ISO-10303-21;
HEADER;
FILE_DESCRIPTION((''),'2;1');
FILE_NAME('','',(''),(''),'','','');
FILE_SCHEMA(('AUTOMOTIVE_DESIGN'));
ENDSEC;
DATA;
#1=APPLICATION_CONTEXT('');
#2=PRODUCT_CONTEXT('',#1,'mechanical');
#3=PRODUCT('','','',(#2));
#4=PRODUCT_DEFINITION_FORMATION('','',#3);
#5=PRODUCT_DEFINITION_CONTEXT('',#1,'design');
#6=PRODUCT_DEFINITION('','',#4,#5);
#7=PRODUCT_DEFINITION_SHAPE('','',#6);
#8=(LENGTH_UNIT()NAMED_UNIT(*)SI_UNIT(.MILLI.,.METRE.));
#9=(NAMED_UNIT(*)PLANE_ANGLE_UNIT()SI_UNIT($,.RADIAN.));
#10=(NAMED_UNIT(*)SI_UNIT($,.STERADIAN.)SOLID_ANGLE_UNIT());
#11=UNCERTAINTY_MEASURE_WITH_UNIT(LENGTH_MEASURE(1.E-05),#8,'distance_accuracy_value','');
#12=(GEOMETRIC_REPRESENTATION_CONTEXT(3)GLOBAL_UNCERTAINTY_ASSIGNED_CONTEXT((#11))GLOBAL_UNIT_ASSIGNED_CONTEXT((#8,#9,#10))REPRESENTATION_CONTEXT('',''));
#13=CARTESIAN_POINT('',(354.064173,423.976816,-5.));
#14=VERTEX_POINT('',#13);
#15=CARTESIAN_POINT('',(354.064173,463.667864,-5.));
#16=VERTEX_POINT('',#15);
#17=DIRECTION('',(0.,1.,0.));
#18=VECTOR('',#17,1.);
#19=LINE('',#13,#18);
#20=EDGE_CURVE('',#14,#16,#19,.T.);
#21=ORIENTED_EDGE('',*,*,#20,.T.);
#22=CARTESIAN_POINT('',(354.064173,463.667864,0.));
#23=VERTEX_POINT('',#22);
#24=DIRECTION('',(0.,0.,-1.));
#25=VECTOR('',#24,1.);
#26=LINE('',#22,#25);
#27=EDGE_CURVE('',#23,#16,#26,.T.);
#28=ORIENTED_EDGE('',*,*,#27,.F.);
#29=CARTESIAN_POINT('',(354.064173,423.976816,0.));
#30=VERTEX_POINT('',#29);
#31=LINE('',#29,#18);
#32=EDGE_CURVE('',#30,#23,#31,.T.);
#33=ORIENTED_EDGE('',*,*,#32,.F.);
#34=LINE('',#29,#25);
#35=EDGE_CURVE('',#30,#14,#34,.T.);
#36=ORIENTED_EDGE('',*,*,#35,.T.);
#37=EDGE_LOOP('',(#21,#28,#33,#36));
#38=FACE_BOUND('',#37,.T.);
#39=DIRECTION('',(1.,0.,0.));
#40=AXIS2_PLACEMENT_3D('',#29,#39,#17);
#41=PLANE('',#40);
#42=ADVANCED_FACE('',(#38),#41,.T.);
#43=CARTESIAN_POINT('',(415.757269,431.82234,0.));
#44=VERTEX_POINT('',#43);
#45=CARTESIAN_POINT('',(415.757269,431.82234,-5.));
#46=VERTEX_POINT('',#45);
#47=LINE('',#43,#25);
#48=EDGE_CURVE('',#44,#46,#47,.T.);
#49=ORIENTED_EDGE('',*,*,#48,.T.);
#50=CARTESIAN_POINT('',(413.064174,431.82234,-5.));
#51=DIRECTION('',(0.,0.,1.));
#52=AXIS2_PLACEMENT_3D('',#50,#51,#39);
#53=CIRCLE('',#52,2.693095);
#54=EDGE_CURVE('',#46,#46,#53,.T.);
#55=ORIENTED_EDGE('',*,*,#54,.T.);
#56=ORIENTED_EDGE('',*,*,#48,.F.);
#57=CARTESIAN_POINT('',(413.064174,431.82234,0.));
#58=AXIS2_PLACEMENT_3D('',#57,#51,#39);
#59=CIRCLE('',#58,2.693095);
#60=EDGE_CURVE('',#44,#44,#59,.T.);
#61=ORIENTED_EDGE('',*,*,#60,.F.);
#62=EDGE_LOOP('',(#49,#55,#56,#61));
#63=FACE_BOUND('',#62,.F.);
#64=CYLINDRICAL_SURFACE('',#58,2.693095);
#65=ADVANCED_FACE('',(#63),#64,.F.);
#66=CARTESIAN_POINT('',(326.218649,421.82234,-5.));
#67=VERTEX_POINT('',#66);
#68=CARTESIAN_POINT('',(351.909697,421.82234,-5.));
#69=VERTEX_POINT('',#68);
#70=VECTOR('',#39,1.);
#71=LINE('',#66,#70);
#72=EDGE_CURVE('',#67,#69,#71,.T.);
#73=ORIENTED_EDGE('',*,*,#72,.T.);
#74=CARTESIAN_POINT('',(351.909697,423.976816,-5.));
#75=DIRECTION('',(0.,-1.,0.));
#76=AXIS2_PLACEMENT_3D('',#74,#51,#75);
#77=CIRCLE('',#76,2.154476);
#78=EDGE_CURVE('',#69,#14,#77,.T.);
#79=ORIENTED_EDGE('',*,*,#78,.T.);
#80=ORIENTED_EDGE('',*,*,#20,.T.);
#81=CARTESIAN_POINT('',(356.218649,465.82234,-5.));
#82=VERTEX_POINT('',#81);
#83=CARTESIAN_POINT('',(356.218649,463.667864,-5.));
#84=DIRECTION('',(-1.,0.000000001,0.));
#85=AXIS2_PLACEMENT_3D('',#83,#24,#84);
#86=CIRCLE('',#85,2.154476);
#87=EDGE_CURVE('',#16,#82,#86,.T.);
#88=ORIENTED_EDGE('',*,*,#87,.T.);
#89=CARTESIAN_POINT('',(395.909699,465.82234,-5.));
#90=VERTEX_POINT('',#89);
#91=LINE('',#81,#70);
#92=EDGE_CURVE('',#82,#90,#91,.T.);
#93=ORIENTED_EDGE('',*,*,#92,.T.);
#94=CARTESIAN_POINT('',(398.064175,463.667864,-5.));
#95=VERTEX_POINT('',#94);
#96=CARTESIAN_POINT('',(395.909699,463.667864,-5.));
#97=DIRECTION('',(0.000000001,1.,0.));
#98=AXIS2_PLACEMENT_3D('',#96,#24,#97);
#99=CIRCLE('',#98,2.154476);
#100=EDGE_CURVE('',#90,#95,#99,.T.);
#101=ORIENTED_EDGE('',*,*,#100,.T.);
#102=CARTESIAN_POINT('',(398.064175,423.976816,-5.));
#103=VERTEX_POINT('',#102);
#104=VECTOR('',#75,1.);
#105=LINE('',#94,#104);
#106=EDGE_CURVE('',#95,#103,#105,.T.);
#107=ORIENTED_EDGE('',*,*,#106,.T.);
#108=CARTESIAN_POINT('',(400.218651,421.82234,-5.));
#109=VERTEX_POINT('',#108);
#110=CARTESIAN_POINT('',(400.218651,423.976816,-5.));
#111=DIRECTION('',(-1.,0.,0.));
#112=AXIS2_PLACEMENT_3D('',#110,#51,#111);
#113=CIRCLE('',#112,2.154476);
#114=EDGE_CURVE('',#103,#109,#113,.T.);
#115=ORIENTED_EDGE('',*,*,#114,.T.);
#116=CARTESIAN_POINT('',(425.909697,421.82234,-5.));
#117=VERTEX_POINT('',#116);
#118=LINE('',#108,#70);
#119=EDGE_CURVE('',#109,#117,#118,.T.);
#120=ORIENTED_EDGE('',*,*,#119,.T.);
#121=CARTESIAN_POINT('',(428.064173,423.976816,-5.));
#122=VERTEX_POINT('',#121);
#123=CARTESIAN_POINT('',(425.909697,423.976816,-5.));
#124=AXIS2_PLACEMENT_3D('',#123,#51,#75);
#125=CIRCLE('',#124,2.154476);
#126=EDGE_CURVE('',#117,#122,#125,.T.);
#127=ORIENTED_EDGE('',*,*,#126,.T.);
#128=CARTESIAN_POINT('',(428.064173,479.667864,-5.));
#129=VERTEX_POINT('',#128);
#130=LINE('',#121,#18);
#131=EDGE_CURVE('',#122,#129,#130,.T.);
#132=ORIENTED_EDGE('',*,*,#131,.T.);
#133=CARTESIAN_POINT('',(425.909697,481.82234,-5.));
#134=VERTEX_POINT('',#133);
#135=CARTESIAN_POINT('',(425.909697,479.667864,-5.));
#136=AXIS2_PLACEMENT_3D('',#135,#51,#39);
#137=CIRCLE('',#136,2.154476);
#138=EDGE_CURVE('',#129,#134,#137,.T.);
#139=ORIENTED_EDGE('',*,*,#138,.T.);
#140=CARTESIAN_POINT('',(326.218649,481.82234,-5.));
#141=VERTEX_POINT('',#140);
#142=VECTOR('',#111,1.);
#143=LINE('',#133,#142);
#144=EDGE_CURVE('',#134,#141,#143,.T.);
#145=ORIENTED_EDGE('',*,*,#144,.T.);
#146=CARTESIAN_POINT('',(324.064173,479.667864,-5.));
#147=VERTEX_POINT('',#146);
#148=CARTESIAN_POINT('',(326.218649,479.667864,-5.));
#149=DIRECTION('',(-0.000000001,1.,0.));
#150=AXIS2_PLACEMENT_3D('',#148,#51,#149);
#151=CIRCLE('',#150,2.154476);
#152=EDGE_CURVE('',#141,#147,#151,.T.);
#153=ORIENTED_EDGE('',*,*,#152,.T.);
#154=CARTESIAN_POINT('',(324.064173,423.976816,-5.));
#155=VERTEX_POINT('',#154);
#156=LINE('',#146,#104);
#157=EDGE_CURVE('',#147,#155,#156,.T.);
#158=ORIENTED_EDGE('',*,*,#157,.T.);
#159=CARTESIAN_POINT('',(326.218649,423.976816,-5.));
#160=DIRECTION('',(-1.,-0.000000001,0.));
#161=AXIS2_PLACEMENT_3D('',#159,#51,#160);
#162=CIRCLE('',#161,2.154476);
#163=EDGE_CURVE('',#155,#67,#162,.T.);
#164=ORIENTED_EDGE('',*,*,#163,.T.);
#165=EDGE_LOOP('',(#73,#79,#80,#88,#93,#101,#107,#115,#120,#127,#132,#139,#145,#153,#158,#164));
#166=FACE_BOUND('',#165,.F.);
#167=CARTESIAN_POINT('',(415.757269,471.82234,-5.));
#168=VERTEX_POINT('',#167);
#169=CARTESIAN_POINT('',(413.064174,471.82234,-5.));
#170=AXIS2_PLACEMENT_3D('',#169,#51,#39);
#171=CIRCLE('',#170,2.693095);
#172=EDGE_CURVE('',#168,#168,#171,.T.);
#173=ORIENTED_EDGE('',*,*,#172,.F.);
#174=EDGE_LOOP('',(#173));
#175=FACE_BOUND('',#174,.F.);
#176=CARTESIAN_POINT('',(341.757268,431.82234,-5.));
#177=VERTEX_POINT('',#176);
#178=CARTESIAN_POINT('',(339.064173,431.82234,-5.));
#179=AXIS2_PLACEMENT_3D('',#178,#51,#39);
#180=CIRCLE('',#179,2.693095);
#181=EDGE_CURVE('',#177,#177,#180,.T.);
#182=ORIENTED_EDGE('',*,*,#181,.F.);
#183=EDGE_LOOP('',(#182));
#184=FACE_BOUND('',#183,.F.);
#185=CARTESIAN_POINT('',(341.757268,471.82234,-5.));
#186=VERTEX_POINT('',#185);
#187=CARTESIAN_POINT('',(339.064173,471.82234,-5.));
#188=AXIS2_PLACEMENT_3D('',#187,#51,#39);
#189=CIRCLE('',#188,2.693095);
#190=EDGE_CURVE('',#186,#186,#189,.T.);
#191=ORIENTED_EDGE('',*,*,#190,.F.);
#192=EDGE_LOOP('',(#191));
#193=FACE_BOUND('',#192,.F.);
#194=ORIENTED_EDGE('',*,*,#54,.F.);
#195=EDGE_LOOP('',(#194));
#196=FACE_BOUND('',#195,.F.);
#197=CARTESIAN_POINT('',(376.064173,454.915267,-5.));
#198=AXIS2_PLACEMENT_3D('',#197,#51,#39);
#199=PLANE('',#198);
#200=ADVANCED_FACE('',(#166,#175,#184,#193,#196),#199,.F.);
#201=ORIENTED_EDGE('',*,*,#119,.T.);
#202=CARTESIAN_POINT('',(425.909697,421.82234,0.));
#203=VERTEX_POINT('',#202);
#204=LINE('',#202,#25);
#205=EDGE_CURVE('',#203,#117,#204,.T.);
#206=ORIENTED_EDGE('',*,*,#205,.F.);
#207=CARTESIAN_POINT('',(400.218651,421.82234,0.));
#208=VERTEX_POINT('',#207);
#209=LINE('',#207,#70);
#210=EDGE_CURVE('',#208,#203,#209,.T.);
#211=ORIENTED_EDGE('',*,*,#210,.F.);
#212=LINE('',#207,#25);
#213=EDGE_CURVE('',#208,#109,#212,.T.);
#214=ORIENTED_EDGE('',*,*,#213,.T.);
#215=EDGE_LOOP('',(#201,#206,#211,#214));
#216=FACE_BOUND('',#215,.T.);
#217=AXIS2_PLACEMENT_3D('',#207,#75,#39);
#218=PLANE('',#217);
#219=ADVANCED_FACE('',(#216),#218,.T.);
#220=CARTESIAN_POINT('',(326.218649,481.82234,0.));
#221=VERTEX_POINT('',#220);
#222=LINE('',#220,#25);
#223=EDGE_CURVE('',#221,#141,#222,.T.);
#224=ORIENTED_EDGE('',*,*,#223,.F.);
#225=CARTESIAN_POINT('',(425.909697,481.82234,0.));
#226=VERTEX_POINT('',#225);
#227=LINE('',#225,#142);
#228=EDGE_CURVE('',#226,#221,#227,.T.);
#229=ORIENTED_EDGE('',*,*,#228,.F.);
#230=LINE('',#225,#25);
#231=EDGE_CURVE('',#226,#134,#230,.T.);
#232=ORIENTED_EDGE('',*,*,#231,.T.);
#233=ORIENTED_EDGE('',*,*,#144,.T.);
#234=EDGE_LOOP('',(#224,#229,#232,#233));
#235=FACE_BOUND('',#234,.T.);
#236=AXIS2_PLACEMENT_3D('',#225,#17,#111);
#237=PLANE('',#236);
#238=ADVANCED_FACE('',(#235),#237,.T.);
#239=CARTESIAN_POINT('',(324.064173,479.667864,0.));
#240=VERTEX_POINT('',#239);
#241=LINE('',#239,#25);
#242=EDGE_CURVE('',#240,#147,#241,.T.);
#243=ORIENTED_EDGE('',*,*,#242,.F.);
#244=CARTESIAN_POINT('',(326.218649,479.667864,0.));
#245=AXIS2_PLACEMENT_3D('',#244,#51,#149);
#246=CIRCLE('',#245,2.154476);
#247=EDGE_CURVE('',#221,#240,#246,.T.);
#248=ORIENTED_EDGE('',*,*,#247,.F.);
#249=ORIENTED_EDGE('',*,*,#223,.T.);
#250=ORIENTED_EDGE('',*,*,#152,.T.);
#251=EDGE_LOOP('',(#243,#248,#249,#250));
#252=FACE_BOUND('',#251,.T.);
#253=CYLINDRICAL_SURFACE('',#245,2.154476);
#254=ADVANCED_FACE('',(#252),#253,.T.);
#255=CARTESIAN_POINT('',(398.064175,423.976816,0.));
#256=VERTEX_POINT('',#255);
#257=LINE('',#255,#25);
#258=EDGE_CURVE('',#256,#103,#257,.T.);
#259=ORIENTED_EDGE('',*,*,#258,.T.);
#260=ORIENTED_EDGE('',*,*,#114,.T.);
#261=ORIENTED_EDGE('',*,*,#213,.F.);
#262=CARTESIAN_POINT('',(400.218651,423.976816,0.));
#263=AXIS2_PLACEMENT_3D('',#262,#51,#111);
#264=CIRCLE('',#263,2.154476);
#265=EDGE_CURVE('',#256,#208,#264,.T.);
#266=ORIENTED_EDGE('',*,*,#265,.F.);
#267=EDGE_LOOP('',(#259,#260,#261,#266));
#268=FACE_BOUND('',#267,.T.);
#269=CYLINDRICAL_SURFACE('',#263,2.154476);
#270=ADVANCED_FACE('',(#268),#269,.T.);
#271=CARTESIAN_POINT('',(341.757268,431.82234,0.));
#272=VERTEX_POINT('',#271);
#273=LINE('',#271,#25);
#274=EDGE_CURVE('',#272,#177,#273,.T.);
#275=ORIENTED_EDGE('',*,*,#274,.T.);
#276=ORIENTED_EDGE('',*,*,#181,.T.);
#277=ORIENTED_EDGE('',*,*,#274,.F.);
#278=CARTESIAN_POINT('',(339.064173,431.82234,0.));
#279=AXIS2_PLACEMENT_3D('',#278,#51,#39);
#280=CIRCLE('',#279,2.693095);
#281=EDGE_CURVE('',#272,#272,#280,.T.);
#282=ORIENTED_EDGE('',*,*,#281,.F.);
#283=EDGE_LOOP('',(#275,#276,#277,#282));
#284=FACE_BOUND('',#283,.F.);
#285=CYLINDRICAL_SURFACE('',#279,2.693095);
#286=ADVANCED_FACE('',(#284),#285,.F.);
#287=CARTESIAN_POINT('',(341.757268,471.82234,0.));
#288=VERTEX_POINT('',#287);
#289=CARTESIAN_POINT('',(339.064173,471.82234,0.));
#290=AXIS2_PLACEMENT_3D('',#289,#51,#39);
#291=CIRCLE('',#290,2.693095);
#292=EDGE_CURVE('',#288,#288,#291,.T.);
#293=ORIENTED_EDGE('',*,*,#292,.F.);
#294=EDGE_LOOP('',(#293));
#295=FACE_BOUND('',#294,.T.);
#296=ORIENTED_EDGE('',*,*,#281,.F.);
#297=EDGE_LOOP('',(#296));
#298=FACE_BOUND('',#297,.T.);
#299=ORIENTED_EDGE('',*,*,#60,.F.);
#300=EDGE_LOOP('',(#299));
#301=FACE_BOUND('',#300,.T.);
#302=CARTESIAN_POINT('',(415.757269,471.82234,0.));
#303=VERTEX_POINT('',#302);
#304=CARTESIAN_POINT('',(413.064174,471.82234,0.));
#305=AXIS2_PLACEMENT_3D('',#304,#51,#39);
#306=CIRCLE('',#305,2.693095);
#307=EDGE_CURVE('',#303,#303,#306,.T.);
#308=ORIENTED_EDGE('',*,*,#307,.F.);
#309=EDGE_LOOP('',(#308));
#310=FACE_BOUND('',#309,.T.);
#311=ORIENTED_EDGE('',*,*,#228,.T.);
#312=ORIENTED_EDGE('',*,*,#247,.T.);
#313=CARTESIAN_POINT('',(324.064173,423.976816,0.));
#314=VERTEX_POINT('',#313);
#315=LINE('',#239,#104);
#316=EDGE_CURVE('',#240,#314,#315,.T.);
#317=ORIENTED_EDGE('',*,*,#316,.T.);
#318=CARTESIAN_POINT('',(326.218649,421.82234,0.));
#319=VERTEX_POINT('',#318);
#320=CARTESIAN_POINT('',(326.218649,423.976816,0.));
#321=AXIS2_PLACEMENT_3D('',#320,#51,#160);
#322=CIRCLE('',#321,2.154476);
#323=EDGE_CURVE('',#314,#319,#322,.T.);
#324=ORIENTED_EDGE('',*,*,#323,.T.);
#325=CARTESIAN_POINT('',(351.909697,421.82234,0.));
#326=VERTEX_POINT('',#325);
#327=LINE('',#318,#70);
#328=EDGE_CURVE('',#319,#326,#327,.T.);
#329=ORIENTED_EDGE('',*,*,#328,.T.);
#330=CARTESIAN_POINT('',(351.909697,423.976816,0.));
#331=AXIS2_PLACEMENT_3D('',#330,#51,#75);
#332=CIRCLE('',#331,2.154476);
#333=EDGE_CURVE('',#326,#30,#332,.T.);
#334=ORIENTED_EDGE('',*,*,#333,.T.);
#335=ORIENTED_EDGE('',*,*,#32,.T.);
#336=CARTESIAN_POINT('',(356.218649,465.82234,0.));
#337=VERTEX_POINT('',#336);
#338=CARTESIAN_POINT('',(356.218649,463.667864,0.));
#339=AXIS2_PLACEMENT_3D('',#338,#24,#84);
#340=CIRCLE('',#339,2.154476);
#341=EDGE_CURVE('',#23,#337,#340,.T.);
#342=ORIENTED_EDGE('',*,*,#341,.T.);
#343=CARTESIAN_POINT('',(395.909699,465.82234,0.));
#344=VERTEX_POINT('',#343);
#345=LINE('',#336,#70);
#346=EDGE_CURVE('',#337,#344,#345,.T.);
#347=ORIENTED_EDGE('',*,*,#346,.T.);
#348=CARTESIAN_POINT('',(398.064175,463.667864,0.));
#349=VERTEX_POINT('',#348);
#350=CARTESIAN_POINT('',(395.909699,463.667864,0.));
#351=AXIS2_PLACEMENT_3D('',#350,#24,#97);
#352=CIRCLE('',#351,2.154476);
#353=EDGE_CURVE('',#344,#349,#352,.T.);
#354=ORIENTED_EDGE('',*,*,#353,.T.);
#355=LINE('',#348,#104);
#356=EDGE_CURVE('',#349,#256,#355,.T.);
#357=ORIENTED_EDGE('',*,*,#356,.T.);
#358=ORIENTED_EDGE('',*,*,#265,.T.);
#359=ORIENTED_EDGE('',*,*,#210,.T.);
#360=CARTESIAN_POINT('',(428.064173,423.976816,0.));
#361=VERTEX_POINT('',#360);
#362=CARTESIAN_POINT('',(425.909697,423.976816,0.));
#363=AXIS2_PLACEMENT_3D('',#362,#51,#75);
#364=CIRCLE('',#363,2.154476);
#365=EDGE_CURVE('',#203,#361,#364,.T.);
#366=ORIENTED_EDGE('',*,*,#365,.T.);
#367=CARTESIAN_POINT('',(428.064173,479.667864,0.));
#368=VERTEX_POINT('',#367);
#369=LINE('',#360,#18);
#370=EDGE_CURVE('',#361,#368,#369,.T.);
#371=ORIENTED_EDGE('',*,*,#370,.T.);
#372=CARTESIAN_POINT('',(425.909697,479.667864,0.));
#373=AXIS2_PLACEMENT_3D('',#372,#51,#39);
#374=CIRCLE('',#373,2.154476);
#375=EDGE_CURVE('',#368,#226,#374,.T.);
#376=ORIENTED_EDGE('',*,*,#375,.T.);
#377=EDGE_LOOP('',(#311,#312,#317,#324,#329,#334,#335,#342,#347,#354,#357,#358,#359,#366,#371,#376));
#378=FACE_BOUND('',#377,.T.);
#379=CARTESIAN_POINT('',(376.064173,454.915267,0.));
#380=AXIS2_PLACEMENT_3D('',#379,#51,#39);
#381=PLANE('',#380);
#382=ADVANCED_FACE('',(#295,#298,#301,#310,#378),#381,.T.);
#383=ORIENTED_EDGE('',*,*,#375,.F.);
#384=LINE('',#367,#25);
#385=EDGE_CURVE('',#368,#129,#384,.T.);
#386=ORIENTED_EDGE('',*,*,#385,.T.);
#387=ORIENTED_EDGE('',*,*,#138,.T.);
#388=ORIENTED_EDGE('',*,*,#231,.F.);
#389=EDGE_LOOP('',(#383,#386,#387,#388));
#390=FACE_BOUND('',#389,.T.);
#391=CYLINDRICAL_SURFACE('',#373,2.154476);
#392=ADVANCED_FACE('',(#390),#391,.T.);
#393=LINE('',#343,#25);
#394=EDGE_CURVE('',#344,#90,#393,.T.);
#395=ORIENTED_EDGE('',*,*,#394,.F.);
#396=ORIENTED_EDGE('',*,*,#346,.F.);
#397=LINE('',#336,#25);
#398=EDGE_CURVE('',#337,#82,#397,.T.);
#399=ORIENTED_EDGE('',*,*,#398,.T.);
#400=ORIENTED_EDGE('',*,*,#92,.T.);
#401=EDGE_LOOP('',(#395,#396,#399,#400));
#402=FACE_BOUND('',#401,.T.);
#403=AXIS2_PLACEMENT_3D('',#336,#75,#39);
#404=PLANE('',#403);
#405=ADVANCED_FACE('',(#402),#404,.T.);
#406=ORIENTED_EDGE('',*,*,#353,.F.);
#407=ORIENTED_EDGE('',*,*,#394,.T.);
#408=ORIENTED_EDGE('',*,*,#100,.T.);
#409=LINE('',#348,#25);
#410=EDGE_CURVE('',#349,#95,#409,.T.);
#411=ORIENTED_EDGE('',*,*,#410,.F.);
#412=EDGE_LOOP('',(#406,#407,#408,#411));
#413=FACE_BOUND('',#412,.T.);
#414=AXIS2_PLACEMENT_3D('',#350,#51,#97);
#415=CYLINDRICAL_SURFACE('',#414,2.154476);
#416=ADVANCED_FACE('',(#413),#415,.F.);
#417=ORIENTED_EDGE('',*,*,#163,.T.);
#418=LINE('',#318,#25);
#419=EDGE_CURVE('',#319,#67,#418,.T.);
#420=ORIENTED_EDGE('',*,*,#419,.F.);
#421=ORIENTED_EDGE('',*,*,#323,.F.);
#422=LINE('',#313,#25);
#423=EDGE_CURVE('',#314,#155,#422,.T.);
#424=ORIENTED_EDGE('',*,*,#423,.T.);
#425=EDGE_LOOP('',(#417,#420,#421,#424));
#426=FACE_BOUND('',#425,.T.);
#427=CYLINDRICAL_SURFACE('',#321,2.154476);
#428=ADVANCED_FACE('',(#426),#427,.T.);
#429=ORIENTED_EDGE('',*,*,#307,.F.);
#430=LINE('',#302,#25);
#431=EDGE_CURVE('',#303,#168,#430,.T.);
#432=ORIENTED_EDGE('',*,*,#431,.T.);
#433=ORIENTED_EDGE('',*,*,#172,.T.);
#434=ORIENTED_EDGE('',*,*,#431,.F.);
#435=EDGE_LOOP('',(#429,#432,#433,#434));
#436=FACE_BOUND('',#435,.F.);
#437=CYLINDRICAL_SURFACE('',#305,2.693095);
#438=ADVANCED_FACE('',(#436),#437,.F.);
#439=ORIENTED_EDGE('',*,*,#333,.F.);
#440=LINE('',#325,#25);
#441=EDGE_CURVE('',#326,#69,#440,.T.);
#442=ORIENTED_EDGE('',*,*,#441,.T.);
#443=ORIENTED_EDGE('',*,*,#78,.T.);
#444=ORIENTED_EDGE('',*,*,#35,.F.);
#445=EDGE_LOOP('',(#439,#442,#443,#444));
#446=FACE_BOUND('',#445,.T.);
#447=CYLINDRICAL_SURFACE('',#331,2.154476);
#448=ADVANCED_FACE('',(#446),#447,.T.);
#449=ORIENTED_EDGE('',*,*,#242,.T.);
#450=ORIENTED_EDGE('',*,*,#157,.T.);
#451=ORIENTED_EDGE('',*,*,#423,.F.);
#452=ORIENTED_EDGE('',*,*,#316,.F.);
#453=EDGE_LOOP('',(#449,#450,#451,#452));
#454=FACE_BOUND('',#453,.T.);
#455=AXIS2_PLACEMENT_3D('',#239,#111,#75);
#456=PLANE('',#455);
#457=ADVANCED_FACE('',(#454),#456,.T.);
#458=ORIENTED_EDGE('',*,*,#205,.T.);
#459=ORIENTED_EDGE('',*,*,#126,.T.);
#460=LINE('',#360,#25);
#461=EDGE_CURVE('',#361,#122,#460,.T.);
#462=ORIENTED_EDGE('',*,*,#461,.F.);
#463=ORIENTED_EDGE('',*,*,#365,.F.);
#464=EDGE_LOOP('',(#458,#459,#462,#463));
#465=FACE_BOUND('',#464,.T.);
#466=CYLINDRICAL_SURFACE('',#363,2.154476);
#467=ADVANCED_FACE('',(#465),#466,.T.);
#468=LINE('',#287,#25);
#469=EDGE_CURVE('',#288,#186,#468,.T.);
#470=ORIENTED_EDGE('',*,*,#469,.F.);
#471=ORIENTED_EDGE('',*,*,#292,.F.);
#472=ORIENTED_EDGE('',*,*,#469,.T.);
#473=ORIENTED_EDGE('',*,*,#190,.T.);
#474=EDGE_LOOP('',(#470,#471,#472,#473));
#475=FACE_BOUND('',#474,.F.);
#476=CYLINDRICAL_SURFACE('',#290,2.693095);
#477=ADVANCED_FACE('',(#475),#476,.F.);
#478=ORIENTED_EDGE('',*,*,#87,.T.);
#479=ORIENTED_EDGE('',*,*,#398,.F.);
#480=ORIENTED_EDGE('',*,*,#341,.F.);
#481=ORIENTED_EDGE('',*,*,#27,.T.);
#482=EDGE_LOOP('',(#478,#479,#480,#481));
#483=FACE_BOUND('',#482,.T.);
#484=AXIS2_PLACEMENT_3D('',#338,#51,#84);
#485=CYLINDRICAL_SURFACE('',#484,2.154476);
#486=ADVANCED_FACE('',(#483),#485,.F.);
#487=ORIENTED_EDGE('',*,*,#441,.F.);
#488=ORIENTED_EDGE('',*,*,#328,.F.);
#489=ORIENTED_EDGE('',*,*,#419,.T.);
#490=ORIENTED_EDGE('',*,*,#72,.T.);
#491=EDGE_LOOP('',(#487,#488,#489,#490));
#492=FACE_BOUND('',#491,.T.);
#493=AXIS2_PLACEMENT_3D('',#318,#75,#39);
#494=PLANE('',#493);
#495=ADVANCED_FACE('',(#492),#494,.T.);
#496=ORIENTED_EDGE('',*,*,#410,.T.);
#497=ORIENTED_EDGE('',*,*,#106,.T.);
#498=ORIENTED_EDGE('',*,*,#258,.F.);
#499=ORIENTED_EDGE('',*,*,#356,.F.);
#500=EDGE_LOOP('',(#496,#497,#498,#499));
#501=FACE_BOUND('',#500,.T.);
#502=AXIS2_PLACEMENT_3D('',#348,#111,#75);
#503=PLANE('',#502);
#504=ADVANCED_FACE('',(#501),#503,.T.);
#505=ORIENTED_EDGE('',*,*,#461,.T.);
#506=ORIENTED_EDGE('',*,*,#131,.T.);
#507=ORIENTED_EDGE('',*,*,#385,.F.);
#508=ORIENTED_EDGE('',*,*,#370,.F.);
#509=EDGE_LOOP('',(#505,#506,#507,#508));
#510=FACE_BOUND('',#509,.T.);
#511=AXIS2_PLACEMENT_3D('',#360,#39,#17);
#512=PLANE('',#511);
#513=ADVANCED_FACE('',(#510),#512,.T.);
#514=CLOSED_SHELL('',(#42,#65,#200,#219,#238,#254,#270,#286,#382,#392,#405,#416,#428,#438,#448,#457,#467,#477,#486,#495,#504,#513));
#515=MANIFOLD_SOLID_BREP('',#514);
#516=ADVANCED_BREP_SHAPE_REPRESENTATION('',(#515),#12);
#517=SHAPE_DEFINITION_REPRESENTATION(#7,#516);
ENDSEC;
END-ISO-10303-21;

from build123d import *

# Parameters (mm, degrees)
SKETCH1_R           = 2.693094888
BOSS_EXTRUDE1_DEPTH = 5


with BuildPart() as part:
    # Sketch1 → Boss-Extrude1 (new body)
    with BuildSketch(Plane.XY):
        with BuildLine():
            Line((326.218649089, 421.822340311), (351.909697268, 421.822340311))
            ThreePointArc((351.909697268, 421.822340311), (353.433141794, 422.453371695), (354.064173178, 423.976816221))
            Line((354.064173178, 423.976816221), (354.064173178, 463.6678644))
            ThreePointArc((354.064173178, 463.6678644), (354.695204563, 465.191308926), (356.218649089, 465.822340311))
            Line((356.218649089, 465.822340311), (395.909699459, 465.822340311))
            ThreePointArc((395.909699459, 465.822340311), (397.433143985, 465.191308926), (398.064175369, 463.6678644))
            Line((398.064175369, 463.6678644), (398.064175369, 423.976816221))
            ThreePointArc((398.064175369, 423.976816221), (398.695206753, 422.453371695), (400.218651279, 421.822340311))
            Line((400.218651279, 421.822340311), (425.909697268, 421.822340311))
            ThreePointArc((425.909697268, 421.822340311), (427.433141794, 422.453371695), (428.064173178, 423.976816221))
            Line((428.064173178, 423.976816221), (428.064173178, 479.6678644))
            ThreePointArc((428.064173178, 479.6678644), (427.433141794, 481.191308926), (425.909697268, 481.822340311))
            Line((425.909697268, 481.822340311), (326.218649089, 481.822340311))
            ThreePointArc((326.218649089, 481.822340311), (324.695204563, 481.191308926), (324.064173178, 479.6678644))
            Line((324.064173178, 479.6678644), (324.064173178, 423.976816221))
            ThreePointArc((324.064173178, 423.976816221), (324.695204563, 422.453371695), (326.218649089, 421.822340311))
        make_face()
        with Locations((339.064173178, 471.822340311)):
            Circle(SKETCH1_R, mode=Mode.SUBTRACT)
        with Locations((339.064173178, 431.822340311)):
            Circle(SKETCH1_R, mode=Mode.SUBTRACT)
        with Locations((413.064174274, 431.822340311)):
            Circle(SKETCH1_R, mode=Mode.SUBTRACT)
        with Locations((413.064174274, 471.822340311)):
            Circle(SKETCH1_R, mode=Mode.SUBTRACT)
    extrude(amount=-BOSS_EXTRUDE1_DEPTH)


solid = part.part
